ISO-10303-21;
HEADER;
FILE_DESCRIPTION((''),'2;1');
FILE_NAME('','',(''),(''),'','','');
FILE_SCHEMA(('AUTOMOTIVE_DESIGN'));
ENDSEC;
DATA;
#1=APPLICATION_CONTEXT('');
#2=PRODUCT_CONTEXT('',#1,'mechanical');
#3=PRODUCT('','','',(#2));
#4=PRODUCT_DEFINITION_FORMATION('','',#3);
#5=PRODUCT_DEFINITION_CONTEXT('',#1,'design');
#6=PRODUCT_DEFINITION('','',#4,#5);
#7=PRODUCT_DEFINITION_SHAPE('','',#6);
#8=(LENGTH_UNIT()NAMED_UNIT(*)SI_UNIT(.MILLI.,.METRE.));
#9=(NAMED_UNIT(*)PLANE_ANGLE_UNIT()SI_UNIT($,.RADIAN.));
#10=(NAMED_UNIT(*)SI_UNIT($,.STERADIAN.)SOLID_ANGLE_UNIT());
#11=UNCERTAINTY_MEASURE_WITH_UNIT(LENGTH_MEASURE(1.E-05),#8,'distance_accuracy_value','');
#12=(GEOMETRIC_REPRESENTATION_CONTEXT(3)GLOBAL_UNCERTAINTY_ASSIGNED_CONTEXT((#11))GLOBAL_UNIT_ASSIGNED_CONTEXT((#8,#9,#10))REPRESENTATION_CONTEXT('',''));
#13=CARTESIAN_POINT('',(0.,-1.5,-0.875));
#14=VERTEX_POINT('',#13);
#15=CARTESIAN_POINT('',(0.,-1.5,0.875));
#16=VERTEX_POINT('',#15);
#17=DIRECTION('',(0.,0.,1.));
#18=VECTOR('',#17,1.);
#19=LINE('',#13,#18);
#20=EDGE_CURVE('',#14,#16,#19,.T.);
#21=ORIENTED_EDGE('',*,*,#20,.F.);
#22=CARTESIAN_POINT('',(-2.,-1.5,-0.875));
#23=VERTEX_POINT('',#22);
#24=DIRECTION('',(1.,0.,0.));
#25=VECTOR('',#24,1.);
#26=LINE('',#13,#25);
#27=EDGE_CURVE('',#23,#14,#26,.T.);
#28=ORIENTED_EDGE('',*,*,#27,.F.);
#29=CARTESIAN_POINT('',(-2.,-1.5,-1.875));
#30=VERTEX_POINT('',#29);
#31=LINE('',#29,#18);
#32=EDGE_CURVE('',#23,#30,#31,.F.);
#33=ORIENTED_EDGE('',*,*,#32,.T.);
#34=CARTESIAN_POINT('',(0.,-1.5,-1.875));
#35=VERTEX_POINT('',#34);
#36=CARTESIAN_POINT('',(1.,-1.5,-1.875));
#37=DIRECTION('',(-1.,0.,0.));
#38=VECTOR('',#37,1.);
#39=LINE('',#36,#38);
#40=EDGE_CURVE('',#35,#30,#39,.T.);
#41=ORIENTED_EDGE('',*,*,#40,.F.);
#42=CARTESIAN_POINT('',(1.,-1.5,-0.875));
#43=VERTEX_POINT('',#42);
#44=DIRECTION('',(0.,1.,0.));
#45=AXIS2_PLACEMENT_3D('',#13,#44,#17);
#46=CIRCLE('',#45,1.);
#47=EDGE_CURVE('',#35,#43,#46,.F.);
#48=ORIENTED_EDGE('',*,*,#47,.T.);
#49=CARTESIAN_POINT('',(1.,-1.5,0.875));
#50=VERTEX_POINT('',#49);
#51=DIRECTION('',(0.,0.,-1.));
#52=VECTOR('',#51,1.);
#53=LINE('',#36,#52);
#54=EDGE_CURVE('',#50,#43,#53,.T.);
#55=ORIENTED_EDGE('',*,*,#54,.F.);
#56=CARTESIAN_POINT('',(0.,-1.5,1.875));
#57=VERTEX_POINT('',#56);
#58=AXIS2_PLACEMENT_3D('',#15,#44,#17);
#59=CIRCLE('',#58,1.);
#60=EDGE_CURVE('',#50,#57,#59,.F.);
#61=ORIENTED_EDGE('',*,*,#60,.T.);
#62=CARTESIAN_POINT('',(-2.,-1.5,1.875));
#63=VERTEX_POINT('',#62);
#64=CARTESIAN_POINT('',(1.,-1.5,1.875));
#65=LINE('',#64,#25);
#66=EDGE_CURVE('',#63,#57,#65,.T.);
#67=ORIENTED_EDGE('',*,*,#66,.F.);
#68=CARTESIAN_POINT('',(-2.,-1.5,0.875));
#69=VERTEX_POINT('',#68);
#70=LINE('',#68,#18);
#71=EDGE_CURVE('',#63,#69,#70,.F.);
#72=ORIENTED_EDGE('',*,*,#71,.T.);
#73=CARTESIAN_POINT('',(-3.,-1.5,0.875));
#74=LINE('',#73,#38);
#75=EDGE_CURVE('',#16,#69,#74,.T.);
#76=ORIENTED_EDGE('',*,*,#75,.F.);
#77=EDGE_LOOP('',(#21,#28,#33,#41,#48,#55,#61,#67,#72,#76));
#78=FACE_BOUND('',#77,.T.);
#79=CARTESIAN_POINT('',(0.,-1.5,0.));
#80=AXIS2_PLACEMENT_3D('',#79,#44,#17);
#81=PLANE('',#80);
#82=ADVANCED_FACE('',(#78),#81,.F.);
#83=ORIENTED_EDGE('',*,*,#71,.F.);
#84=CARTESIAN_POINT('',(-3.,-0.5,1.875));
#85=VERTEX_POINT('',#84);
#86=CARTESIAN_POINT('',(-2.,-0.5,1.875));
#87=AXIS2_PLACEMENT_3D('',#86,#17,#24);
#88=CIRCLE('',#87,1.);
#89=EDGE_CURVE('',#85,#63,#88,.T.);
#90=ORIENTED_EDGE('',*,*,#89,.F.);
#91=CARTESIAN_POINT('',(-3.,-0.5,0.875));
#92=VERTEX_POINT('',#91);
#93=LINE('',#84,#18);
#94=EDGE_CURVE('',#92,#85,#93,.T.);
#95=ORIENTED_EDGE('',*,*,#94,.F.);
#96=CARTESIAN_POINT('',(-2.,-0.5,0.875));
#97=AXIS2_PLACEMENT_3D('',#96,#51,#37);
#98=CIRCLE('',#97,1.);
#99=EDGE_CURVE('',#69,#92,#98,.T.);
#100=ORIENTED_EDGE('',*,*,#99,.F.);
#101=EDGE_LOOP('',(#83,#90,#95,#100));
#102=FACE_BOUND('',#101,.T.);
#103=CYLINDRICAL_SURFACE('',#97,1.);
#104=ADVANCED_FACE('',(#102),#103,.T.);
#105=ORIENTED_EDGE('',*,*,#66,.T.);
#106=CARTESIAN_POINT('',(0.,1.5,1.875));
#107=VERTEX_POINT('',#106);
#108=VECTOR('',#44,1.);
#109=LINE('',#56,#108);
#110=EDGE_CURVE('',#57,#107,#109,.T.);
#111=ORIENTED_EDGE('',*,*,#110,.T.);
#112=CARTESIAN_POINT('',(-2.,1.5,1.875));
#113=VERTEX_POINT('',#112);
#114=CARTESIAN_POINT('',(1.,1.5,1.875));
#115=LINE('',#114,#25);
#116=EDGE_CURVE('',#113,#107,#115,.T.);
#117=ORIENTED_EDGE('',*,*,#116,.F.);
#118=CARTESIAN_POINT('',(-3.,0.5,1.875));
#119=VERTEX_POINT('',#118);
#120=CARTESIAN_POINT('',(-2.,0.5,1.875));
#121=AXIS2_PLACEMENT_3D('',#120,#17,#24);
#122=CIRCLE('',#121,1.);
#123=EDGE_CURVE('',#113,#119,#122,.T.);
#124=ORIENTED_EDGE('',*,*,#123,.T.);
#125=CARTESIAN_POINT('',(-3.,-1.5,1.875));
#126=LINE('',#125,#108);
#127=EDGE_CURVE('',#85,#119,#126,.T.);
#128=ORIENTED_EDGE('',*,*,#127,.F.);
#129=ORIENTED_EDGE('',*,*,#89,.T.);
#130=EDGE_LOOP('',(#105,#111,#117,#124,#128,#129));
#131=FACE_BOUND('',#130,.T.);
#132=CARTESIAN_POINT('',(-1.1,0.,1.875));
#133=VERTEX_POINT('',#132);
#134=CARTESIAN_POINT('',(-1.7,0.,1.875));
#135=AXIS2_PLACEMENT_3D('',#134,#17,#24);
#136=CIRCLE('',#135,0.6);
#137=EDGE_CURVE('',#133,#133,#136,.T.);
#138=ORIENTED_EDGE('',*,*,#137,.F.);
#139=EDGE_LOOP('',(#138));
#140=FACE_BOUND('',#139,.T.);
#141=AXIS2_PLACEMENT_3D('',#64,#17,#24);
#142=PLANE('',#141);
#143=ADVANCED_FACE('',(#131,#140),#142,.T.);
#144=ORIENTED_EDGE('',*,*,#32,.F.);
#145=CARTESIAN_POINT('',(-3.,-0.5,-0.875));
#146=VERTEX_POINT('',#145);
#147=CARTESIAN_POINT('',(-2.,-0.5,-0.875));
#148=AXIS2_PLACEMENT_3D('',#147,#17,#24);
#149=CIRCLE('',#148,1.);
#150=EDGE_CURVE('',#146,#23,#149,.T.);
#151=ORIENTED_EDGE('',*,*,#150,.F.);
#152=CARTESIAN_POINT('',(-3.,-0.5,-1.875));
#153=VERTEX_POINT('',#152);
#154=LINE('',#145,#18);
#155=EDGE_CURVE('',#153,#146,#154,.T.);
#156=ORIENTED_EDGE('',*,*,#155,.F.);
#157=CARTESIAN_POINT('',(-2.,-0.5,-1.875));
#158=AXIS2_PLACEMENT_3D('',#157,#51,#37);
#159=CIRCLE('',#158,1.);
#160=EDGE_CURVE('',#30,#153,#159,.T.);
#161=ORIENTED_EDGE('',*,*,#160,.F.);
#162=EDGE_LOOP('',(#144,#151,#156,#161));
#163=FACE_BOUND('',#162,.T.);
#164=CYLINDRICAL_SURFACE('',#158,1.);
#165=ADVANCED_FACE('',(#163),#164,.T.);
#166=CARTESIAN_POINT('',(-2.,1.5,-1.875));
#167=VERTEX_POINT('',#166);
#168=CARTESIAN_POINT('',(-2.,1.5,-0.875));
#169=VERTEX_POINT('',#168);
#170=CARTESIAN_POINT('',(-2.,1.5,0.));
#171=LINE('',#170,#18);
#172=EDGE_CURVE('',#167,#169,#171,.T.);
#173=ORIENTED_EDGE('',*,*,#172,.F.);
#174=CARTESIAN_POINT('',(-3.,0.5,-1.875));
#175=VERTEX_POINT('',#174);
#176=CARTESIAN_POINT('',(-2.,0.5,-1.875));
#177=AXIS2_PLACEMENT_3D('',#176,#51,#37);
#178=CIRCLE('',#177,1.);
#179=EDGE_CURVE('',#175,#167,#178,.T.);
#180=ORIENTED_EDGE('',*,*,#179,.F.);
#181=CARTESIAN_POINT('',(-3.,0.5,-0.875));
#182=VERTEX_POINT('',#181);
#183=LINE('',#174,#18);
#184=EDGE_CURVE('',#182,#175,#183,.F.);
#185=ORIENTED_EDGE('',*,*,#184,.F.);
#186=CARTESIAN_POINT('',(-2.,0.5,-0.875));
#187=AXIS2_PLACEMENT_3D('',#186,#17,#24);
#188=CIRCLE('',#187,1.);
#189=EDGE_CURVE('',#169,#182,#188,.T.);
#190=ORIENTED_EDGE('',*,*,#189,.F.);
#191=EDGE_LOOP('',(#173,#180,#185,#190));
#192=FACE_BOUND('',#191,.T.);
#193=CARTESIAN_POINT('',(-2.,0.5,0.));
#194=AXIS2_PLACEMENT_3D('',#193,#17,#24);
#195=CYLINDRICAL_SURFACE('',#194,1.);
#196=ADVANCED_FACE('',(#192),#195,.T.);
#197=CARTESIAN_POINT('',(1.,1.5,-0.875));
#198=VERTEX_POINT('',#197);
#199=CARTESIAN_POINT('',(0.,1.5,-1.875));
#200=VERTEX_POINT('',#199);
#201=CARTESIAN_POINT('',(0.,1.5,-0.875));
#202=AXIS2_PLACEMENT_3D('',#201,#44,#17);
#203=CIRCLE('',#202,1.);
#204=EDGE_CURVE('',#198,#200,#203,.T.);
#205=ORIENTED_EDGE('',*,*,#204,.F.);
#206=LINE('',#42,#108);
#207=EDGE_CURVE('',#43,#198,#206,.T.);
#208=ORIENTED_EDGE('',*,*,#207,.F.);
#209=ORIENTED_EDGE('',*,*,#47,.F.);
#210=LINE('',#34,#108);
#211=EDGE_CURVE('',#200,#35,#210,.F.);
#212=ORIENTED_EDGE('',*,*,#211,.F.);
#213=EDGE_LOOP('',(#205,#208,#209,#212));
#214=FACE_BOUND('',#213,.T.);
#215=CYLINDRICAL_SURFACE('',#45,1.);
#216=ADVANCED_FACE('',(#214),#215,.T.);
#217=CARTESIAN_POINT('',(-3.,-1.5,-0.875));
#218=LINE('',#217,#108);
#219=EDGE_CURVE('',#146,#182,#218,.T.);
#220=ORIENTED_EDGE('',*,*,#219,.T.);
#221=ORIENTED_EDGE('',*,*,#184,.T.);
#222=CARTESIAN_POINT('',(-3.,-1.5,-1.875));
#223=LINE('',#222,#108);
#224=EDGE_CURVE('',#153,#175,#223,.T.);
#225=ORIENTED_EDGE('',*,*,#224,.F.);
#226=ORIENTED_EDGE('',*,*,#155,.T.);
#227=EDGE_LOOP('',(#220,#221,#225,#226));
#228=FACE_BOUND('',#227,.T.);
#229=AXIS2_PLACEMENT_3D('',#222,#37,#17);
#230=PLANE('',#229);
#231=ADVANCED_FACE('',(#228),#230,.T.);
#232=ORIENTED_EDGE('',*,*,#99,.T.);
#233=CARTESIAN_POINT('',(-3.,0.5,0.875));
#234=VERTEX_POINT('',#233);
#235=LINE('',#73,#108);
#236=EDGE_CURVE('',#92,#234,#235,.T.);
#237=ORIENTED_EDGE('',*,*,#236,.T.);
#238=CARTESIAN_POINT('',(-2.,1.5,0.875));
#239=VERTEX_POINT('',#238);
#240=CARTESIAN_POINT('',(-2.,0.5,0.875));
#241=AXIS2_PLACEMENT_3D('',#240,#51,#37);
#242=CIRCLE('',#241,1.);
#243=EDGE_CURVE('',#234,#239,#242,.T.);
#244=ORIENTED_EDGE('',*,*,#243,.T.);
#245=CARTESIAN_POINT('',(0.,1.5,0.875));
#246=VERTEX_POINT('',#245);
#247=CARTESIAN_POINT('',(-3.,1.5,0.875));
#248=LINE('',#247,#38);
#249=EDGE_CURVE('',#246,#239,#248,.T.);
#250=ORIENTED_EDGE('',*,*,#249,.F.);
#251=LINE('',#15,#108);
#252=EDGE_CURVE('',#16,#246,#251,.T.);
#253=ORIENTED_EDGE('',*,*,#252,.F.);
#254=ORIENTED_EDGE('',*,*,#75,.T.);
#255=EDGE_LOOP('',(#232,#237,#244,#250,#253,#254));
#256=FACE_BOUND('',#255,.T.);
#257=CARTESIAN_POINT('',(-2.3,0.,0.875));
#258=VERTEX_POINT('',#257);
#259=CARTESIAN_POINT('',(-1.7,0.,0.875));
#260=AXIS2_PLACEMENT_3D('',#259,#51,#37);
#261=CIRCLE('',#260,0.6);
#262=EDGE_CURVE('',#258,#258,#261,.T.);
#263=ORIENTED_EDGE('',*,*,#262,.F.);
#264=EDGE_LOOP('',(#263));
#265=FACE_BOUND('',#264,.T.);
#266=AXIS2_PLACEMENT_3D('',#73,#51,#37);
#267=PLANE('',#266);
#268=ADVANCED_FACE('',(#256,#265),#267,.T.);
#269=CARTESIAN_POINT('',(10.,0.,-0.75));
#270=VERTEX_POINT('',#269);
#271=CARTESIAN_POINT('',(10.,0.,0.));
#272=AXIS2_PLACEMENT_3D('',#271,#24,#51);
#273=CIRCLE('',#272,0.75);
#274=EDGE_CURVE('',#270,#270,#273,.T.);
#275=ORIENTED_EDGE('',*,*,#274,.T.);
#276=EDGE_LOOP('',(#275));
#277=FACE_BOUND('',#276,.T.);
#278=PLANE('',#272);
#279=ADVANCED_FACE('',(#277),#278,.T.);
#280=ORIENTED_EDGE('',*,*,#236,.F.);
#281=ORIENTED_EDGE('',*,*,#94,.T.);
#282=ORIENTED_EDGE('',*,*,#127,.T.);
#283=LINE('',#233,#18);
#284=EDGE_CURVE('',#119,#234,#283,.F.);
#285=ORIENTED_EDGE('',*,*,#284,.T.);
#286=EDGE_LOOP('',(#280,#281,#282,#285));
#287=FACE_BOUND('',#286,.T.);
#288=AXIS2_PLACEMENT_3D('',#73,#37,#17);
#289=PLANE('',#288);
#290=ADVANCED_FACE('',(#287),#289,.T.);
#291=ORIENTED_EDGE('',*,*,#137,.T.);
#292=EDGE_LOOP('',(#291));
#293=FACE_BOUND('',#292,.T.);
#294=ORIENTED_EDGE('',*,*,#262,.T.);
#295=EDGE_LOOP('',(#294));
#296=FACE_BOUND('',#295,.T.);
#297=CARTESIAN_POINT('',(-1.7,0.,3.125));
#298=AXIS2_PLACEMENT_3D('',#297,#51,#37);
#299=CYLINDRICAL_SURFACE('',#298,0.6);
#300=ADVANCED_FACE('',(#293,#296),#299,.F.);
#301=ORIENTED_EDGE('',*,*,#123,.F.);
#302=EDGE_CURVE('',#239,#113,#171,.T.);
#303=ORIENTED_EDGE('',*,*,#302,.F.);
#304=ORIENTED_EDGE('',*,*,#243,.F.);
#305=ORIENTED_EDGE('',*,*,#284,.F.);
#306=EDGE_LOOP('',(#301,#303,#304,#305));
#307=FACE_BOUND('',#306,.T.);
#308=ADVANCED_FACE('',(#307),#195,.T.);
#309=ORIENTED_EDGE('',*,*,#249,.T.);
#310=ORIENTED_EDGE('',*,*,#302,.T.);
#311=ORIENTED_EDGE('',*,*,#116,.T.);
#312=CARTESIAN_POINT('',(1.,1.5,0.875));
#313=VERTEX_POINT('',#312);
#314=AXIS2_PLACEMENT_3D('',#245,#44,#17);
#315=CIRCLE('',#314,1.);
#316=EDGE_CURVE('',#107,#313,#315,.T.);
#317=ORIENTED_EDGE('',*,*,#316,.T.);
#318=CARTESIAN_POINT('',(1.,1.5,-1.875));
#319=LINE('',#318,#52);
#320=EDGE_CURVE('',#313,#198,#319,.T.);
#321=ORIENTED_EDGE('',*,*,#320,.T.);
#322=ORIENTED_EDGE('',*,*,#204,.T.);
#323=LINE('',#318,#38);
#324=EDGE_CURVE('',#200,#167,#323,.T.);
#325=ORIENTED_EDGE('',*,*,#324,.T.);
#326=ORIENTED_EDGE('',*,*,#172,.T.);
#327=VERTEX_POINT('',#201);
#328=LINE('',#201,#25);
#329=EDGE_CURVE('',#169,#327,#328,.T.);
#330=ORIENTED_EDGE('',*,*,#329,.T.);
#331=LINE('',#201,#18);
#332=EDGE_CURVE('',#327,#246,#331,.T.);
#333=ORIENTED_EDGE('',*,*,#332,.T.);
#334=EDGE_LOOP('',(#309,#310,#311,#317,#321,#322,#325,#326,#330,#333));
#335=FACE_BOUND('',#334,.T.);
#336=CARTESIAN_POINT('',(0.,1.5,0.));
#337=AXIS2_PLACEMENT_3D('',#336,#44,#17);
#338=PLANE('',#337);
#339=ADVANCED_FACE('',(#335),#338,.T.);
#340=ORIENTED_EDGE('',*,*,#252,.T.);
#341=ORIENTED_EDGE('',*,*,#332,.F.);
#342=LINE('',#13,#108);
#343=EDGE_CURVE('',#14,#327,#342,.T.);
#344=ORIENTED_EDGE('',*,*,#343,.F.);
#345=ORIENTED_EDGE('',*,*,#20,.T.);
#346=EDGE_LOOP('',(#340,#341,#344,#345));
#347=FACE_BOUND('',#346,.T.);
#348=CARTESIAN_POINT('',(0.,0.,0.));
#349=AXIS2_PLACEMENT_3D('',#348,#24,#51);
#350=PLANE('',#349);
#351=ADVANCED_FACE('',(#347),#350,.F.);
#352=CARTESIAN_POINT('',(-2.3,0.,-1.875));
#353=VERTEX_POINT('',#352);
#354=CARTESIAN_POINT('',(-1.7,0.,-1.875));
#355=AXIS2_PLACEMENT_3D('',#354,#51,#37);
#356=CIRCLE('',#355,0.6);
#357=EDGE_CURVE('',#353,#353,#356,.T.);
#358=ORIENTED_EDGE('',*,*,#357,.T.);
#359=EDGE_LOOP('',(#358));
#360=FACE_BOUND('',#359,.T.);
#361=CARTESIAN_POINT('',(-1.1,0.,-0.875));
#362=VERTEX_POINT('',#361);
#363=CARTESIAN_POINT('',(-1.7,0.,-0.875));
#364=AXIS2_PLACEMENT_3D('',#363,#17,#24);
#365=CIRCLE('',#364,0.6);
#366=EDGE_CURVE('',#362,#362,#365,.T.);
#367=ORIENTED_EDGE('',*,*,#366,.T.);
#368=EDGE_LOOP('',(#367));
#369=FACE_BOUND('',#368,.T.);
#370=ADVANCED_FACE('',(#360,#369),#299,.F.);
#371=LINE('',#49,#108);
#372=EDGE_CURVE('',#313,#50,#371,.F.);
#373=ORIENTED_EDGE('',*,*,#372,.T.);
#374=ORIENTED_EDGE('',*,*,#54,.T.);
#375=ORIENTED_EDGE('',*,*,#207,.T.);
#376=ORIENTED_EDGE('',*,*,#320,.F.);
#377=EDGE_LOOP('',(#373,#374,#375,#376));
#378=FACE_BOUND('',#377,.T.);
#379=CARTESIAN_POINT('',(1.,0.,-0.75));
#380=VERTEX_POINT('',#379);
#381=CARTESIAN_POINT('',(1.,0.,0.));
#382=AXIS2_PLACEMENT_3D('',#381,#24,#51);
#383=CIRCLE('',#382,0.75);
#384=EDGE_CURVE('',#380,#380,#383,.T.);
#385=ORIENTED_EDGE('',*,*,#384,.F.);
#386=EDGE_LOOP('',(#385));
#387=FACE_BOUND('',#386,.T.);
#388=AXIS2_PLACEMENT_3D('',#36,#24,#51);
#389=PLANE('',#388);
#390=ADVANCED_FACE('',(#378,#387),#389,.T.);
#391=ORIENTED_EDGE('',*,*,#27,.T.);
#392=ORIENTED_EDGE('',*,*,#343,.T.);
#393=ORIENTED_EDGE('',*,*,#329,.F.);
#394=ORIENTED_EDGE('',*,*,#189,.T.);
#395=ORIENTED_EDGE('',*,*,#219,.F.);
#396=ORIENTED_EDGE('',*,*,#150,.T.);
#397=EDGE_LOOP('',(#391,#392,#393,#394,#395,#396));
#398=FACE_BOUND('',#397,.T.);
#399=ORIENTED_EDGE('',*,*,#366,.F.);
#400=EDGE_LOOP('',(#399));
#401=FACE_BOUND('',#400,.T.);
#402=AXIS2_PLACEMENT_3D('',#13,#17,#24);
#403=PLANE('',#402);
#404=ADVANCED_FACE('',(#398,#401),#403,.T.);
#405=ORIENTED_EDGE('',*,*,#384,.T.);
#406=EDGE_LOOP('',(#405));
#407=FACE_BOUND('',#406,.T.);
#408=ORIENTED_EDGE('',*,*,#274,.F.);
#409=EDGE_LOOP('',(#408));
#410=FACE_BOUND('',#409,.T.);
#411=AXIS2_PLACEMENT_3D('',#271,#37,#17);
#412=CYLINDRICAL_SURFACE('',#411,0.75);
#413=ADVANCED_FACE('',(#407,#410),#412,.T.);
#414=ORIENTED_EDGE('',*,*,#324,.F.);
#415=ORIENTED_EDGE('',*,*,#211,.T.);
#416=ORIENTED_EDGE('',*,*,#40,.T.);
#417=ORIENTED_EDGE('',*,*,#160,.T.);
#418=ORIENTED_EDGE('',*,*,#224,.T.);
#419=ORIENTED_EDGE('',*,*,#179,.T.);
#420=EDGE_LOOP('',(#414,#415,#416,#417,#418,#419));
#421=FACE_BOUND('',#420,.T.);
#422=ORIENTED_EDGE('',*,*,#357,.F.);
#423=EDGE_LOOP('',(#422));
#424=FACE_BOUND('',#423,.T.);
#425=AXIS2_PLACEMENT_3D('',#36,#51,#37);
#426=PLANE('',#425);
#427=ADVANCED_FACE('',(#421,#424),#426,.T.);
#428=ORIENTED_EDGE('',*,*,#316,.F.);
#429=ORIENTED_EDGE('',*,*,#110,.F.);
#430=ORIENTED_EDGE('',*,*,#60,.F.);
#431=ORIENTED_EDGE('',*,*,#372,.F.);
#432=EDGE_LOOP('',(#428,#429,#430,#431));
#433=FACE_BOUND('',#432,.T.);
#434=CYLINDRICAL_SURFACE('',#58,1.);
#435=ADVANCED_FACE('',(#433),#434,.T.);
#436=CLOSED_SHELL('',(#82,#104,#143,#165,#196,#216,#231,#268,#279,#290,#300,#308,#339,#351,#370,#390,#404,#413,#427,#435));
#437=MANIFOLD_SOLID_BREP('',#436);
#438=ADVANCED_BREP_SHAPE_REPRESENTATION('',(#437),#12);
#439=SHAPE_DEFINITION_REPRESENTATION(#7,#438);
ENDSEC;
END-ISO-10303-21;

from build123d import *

# Parameters (mm, degrees)
SKETCH1_R                = 0.75
BOSS_EXTRUDE1_DEPTH      = 10
BOSS_EXTRUDE2_DEPTH      = 1.5
BOSS_EXTRUDE2_DEPTH_BACK = 1.5
FILLET1_R                = 1
SKETCH3_R                = 0.6
CUT_EXTRUDE1_DEPTH       = 5


with BuildPart() as part:
    # Sketch1 → Boss-Extrude1 (new body)
    with BuildSketch(Plane(origin=(0, 0, 0), x_dir=(0, 0, -1), z_dir=(1, 0, 0))):
        Circle(SKETCH1_R)
    extrude(amount=BOSS_EXTRUDE1_DEPTH)

    # Sketch2 → Boss-Extrude2 (add, two sides: drawn at the far end of the back side and taken through both)
    with BuildSketch(Plane(origin=(0, 0, 0), x_dir=(1, 0, 0), z_dir=(0, 1, 0)).offset(-BOSS_EXTRUDE2_DEPTH_BACK)):
        Polygon((1, 1.875), (1, -1.875), (-3, -1.875), (-3, -0.875), (0, -0.875), (0, 0.875), (-3, 0.875), (-3, 1.875), align=None)
    extrude(amount=BOSS_EXTRUDE2_DEPTH + BOSS_EXTRUDE2_DEPTH_BACK)

    # Fillet1
    fillet1_edges = [part.edges().sort_by_distance(p)[0] for p in [
        (-3, 1.5, 1.375),
        (-3, 1.5, -1.375),
        (-3, -1.5, -1.375),
        (1, 0, -1.875),
        (1, 0, 1.875),
        (-3, -1.5, 1.375),
    ]]
    fillet(fillet1_edges, radius=FILLET1_R)

    # Sketch3 → Cut-Extrude1 (cut)
    with BuildSketch(Plane(origin=(0, 0, -1.875), x_dir=(-1, 0, 0), z_dir=(0, 0, -1))):
        with Locations((1.7, 0)):
            Circle(SKETCH3_R)
    extrude(amount=-CUT_EXTRUDE1_DEPTH, mode=Mode.SUBTRACT)


solid = part.part
